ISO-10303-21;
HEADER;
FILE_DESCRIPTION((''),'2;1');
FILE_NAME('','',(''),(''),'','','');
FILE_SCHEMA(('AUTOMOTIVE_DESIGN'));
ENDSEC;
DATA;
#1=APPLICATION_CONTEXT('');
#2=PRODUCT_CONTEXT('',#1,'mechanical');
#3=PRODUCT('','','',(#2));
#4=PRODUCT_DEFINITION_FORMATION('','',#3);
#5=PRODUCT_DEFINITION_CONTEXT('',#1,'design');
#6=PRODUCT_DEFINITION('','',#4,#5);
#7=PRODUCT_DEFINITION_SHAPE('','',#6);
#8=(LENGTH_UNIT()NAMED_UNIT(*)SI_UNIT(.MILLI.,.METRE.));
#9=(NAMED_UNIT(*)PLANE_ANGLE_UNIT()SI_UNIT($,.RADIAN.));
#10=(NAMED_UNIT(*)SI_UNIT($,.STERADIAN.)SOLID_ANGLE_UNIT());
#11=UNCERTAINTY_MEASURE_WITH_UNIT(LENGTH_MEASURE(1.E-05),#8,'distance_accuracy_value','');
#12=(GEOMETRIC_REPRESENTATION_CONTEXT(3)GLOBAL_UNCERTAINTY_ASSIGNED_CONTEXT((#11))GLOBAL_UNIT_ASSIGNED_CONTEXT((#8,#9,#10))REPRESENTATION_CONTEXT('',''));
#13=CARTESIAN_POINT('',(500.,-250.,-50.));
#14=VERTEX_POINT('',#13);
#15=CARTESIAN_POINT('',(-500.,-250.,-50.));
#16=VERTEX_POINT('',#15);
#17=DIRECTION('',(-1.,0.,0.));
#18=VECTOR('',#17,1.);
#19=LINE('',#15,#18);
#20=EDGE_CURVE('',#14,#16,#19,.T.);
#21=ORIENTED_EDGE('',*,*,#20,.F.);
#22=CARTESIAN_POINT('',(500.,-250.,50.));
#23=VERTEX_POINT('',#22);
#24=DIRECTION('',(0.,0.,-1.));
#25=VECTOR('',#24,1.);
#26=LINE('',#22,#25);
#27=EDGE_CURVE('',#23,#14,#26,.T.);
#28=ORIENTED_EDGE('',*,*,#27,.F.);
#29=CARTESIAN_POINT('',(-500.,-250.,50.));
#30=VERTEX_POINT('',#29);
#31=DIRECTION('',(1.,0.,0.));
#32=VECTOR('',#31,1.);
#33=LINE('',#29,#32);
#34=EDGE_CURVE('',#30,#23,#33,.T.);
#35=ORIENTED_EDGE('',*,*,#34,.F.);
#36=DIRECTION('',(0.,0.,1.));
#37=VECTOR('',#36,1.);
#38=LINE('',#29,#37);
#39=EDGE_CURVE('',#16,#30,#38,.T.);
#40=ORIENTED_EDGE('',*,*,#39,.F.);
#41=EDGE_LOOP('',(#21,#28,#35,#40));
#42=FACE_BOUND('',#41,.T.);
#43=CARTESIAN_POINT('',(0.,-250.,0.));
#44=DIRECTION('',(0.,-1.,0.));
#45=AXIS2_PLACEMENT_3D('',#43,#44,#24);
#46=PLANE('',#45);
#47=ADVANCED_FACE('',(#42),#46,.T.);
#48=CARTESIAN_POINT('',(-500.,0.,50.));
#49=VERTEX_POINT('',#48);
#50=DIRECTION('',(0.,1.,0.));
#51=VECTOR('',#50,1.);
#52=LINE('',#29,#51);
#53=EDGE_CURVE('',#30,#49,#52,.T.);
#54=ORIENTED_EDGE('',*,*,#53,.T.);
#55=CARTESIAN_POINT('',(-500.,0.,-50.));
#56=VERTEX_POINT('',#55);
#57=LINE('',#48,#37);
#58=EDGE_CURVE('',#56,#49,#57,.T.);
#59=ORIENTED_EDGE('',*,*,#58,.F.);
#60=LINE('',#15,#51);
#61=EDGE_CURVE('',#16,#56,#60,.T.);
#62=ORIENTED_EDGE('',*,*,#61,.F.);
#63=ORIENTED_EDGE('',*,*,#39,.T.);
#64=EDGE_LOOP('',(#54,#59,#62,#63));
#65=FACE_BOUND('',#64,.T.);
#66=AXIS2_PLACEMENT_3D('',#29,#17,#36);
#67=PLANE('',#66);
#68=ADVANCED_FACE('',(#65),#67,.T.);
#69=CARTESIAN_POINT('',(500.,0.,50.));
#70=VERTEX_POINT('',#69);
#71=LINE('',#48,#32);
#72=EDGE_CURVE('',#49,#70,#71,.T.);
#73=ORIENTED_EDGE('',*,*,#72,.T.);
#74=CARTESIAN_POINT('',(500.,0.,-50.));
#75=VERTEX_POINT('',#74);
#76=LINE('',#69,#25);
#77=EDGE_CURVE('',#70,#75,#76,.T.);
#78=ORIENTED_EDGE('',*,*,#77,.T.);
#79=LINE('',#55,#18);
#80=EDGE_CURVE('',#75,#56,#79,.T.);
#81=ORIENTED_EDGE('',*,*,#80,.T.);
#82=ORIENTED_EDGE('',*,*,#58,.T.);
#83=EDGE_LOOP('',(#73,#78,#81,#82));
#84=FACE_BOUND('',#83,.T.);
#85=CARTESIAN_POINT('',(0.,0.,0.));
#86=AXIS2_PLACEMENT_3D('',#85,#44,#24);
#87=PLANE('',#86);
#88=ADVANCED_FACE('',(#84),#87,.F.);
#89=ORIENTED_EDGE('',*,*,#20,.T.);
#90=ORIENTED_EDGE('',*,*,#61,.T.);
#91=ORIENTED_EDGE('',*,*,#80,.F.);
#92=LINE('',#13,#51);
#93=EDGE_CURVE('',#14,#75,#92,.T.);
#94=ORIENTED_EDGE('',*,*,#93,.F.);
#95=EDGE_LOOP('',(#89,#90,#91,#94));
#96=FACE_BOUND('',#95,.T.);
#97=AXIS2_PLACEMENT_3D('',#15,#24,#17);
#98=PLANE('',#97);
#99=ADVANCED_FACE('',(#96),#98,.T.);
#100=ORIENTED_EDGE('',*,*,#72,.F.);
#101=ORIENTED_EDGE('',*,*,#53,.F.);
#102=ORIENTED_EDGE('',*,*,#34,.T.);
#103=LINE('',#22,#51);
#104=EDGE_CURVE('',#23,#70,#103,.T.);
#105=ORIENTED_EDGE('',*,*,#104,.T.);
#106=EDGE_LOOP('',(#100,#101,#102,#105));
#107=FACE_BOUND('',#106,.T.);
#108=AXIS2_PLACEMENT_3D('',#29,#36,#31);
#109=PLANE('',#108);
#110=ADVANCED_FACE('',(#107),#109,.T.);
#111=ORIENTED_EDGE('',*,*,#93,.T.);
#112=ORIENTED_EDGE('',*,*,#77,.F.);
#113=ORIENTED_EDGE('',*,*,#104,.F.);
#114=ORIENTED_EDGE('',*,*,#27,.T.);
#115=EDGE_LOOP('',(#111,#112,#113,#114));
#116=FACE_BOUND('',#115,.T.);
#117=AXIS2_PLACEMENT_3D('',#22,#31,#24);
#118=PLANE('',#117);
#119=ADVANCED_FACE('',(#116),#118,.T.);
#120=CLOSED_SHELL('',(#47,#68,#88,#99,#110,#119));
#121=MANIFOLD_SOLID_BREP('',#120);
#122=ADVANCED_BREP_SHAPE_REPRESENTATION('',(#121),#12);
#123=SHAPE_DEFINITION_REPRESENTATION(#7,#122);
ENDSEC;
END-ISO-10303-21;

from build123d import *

# Parameters (mm, degrees)
SKETCH1_W           = 1000
SKETCH1_H           = 100
BOSS_EXTRUDE1_DEPTH = 250


with BuildPart() as part:
    # Sketch1 → Boss-Extrude1 (new body)
    with BuildSketch(Plane(origin=(0, 0, 0), x_dir=(1, 0, 0), z_dir=(0, 1, 0))):
        Rectangle(SKETCH1_W, SKETCH1_H)
    extrude(amount=-BOSS_EXTRUDE1_DEPTH)


solid = part.part
